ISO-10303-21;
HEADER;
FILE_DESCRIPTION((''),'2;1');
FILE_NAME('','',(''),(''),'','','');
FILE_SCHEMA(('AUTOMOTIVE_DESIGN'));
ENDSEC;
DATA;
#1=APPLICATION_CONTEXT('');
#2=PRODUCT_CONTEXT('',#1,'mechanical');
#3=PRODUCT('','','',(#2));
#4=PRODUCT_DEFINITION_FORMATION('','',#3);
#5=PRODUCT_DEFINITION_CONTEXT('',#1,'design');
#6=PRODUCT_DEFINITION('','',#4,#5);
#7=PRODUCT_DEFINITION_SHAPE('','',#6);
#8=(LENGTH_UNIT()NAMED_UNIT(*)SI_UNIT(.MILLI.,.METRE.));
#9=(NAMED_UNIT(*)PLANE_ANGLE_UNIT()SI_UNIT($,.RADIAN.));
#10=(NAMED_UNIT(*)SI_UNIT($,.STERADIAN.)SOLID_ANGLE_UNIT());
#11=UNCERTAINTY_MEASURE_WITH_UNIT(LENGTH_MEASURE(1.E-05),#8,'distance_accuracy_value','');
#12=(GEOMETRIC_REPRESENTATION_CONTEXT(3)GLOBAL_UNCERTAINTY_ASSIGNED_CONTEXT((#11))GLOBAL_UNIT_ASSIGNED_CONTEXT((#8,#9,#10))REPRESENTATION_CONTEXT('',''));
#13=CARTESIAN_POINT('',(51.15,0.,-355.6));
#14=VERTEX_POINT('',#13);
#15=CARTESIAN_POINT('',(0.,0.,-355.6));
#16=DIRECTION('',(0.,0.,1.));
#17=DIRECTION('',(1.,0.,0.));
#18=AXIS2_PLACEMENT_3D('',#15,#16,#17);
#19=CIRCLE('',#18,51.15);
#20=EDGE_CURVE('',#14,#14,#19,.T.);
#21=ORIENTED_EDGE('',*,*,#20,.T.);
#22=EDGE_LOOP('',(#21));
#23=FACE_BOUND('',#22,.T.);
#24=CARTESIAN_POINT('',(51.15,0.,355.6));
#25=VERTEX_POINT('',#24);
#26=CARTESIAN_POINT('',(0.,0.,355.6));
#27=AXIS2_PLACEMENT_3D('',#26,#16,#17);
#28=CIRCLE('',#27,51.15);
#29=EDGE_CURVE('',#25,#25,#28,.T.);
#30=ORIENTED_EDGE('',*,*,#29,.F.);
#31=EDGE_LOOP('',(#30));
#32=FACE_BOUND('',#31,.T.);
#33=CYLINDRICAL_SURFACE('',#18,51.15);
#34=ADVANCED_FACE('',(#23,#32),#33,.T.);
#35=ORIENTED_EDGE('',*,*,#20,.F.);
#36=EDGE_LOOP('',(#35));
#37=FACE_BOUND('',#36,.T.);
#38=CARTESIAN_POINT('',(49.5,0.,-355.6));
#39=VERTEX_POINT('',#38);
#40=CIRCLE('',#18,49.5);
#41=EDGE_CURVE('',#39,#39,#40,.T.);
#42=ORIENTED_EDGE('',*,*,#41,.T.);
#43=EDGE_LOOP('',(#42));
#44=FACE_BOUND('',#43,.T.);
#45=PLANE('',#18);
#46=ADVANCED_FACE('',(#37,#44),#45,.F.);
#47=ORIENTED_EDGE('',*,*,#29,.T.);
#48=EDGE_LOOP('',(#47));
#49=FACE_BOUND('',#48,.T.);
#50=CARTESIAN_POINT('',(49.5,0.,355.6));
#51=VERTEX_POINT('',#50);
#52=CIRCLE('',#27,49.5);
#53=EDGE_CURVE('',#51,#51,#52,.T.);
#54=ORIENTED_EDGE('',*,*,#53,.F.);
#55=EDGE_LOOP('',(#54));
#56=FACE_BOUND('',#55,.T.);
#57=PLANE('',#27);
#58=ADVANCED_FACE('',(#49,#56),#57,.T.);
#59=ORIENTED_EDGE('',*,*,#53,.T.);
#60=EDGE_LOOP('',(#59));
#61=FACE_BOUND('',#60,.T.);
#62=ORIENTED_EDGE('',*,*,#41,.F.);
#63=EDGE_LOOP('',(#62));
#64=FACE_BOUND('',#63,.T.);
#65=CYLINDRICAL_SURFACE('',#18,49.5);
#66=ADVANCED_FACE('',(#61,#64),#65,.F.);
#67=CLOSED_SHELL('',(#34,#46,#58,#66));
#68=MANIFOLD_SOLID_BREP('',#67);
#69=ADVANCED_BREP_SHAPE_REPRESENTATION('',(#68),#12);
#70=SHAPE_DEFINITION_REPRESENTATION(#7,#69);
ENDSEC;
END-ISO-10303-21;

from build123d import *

# Parameters (mm, degrees)
BOSS_EXTRUDE1_DEPTH      = 355.6
BOSS_EXTRUDE1_DEPTH_BACK = 355.6
SKETCH2_R                = 51.15
SKETCH2_R_2              = 49.5


with BuildPart() as part:
    # Sketch2 → Boss-Extrude1 (new, two sides: drawn at the far end of the back side and taken through both)
    with BuildSketch(Plane.XY.offset(-BOSS_EXTRUDE1_DEPTH_BACK)):
        Circle(SKETCH2_R)
        Circle(SKETCH2_R_2, mode=Mode.SUBTRACT)
    extrude(amount=BOSS_EXTRUDE1_DEPTH + BOSS_EXTRUDE1_DEPTH_BACK)


solid = part.part
